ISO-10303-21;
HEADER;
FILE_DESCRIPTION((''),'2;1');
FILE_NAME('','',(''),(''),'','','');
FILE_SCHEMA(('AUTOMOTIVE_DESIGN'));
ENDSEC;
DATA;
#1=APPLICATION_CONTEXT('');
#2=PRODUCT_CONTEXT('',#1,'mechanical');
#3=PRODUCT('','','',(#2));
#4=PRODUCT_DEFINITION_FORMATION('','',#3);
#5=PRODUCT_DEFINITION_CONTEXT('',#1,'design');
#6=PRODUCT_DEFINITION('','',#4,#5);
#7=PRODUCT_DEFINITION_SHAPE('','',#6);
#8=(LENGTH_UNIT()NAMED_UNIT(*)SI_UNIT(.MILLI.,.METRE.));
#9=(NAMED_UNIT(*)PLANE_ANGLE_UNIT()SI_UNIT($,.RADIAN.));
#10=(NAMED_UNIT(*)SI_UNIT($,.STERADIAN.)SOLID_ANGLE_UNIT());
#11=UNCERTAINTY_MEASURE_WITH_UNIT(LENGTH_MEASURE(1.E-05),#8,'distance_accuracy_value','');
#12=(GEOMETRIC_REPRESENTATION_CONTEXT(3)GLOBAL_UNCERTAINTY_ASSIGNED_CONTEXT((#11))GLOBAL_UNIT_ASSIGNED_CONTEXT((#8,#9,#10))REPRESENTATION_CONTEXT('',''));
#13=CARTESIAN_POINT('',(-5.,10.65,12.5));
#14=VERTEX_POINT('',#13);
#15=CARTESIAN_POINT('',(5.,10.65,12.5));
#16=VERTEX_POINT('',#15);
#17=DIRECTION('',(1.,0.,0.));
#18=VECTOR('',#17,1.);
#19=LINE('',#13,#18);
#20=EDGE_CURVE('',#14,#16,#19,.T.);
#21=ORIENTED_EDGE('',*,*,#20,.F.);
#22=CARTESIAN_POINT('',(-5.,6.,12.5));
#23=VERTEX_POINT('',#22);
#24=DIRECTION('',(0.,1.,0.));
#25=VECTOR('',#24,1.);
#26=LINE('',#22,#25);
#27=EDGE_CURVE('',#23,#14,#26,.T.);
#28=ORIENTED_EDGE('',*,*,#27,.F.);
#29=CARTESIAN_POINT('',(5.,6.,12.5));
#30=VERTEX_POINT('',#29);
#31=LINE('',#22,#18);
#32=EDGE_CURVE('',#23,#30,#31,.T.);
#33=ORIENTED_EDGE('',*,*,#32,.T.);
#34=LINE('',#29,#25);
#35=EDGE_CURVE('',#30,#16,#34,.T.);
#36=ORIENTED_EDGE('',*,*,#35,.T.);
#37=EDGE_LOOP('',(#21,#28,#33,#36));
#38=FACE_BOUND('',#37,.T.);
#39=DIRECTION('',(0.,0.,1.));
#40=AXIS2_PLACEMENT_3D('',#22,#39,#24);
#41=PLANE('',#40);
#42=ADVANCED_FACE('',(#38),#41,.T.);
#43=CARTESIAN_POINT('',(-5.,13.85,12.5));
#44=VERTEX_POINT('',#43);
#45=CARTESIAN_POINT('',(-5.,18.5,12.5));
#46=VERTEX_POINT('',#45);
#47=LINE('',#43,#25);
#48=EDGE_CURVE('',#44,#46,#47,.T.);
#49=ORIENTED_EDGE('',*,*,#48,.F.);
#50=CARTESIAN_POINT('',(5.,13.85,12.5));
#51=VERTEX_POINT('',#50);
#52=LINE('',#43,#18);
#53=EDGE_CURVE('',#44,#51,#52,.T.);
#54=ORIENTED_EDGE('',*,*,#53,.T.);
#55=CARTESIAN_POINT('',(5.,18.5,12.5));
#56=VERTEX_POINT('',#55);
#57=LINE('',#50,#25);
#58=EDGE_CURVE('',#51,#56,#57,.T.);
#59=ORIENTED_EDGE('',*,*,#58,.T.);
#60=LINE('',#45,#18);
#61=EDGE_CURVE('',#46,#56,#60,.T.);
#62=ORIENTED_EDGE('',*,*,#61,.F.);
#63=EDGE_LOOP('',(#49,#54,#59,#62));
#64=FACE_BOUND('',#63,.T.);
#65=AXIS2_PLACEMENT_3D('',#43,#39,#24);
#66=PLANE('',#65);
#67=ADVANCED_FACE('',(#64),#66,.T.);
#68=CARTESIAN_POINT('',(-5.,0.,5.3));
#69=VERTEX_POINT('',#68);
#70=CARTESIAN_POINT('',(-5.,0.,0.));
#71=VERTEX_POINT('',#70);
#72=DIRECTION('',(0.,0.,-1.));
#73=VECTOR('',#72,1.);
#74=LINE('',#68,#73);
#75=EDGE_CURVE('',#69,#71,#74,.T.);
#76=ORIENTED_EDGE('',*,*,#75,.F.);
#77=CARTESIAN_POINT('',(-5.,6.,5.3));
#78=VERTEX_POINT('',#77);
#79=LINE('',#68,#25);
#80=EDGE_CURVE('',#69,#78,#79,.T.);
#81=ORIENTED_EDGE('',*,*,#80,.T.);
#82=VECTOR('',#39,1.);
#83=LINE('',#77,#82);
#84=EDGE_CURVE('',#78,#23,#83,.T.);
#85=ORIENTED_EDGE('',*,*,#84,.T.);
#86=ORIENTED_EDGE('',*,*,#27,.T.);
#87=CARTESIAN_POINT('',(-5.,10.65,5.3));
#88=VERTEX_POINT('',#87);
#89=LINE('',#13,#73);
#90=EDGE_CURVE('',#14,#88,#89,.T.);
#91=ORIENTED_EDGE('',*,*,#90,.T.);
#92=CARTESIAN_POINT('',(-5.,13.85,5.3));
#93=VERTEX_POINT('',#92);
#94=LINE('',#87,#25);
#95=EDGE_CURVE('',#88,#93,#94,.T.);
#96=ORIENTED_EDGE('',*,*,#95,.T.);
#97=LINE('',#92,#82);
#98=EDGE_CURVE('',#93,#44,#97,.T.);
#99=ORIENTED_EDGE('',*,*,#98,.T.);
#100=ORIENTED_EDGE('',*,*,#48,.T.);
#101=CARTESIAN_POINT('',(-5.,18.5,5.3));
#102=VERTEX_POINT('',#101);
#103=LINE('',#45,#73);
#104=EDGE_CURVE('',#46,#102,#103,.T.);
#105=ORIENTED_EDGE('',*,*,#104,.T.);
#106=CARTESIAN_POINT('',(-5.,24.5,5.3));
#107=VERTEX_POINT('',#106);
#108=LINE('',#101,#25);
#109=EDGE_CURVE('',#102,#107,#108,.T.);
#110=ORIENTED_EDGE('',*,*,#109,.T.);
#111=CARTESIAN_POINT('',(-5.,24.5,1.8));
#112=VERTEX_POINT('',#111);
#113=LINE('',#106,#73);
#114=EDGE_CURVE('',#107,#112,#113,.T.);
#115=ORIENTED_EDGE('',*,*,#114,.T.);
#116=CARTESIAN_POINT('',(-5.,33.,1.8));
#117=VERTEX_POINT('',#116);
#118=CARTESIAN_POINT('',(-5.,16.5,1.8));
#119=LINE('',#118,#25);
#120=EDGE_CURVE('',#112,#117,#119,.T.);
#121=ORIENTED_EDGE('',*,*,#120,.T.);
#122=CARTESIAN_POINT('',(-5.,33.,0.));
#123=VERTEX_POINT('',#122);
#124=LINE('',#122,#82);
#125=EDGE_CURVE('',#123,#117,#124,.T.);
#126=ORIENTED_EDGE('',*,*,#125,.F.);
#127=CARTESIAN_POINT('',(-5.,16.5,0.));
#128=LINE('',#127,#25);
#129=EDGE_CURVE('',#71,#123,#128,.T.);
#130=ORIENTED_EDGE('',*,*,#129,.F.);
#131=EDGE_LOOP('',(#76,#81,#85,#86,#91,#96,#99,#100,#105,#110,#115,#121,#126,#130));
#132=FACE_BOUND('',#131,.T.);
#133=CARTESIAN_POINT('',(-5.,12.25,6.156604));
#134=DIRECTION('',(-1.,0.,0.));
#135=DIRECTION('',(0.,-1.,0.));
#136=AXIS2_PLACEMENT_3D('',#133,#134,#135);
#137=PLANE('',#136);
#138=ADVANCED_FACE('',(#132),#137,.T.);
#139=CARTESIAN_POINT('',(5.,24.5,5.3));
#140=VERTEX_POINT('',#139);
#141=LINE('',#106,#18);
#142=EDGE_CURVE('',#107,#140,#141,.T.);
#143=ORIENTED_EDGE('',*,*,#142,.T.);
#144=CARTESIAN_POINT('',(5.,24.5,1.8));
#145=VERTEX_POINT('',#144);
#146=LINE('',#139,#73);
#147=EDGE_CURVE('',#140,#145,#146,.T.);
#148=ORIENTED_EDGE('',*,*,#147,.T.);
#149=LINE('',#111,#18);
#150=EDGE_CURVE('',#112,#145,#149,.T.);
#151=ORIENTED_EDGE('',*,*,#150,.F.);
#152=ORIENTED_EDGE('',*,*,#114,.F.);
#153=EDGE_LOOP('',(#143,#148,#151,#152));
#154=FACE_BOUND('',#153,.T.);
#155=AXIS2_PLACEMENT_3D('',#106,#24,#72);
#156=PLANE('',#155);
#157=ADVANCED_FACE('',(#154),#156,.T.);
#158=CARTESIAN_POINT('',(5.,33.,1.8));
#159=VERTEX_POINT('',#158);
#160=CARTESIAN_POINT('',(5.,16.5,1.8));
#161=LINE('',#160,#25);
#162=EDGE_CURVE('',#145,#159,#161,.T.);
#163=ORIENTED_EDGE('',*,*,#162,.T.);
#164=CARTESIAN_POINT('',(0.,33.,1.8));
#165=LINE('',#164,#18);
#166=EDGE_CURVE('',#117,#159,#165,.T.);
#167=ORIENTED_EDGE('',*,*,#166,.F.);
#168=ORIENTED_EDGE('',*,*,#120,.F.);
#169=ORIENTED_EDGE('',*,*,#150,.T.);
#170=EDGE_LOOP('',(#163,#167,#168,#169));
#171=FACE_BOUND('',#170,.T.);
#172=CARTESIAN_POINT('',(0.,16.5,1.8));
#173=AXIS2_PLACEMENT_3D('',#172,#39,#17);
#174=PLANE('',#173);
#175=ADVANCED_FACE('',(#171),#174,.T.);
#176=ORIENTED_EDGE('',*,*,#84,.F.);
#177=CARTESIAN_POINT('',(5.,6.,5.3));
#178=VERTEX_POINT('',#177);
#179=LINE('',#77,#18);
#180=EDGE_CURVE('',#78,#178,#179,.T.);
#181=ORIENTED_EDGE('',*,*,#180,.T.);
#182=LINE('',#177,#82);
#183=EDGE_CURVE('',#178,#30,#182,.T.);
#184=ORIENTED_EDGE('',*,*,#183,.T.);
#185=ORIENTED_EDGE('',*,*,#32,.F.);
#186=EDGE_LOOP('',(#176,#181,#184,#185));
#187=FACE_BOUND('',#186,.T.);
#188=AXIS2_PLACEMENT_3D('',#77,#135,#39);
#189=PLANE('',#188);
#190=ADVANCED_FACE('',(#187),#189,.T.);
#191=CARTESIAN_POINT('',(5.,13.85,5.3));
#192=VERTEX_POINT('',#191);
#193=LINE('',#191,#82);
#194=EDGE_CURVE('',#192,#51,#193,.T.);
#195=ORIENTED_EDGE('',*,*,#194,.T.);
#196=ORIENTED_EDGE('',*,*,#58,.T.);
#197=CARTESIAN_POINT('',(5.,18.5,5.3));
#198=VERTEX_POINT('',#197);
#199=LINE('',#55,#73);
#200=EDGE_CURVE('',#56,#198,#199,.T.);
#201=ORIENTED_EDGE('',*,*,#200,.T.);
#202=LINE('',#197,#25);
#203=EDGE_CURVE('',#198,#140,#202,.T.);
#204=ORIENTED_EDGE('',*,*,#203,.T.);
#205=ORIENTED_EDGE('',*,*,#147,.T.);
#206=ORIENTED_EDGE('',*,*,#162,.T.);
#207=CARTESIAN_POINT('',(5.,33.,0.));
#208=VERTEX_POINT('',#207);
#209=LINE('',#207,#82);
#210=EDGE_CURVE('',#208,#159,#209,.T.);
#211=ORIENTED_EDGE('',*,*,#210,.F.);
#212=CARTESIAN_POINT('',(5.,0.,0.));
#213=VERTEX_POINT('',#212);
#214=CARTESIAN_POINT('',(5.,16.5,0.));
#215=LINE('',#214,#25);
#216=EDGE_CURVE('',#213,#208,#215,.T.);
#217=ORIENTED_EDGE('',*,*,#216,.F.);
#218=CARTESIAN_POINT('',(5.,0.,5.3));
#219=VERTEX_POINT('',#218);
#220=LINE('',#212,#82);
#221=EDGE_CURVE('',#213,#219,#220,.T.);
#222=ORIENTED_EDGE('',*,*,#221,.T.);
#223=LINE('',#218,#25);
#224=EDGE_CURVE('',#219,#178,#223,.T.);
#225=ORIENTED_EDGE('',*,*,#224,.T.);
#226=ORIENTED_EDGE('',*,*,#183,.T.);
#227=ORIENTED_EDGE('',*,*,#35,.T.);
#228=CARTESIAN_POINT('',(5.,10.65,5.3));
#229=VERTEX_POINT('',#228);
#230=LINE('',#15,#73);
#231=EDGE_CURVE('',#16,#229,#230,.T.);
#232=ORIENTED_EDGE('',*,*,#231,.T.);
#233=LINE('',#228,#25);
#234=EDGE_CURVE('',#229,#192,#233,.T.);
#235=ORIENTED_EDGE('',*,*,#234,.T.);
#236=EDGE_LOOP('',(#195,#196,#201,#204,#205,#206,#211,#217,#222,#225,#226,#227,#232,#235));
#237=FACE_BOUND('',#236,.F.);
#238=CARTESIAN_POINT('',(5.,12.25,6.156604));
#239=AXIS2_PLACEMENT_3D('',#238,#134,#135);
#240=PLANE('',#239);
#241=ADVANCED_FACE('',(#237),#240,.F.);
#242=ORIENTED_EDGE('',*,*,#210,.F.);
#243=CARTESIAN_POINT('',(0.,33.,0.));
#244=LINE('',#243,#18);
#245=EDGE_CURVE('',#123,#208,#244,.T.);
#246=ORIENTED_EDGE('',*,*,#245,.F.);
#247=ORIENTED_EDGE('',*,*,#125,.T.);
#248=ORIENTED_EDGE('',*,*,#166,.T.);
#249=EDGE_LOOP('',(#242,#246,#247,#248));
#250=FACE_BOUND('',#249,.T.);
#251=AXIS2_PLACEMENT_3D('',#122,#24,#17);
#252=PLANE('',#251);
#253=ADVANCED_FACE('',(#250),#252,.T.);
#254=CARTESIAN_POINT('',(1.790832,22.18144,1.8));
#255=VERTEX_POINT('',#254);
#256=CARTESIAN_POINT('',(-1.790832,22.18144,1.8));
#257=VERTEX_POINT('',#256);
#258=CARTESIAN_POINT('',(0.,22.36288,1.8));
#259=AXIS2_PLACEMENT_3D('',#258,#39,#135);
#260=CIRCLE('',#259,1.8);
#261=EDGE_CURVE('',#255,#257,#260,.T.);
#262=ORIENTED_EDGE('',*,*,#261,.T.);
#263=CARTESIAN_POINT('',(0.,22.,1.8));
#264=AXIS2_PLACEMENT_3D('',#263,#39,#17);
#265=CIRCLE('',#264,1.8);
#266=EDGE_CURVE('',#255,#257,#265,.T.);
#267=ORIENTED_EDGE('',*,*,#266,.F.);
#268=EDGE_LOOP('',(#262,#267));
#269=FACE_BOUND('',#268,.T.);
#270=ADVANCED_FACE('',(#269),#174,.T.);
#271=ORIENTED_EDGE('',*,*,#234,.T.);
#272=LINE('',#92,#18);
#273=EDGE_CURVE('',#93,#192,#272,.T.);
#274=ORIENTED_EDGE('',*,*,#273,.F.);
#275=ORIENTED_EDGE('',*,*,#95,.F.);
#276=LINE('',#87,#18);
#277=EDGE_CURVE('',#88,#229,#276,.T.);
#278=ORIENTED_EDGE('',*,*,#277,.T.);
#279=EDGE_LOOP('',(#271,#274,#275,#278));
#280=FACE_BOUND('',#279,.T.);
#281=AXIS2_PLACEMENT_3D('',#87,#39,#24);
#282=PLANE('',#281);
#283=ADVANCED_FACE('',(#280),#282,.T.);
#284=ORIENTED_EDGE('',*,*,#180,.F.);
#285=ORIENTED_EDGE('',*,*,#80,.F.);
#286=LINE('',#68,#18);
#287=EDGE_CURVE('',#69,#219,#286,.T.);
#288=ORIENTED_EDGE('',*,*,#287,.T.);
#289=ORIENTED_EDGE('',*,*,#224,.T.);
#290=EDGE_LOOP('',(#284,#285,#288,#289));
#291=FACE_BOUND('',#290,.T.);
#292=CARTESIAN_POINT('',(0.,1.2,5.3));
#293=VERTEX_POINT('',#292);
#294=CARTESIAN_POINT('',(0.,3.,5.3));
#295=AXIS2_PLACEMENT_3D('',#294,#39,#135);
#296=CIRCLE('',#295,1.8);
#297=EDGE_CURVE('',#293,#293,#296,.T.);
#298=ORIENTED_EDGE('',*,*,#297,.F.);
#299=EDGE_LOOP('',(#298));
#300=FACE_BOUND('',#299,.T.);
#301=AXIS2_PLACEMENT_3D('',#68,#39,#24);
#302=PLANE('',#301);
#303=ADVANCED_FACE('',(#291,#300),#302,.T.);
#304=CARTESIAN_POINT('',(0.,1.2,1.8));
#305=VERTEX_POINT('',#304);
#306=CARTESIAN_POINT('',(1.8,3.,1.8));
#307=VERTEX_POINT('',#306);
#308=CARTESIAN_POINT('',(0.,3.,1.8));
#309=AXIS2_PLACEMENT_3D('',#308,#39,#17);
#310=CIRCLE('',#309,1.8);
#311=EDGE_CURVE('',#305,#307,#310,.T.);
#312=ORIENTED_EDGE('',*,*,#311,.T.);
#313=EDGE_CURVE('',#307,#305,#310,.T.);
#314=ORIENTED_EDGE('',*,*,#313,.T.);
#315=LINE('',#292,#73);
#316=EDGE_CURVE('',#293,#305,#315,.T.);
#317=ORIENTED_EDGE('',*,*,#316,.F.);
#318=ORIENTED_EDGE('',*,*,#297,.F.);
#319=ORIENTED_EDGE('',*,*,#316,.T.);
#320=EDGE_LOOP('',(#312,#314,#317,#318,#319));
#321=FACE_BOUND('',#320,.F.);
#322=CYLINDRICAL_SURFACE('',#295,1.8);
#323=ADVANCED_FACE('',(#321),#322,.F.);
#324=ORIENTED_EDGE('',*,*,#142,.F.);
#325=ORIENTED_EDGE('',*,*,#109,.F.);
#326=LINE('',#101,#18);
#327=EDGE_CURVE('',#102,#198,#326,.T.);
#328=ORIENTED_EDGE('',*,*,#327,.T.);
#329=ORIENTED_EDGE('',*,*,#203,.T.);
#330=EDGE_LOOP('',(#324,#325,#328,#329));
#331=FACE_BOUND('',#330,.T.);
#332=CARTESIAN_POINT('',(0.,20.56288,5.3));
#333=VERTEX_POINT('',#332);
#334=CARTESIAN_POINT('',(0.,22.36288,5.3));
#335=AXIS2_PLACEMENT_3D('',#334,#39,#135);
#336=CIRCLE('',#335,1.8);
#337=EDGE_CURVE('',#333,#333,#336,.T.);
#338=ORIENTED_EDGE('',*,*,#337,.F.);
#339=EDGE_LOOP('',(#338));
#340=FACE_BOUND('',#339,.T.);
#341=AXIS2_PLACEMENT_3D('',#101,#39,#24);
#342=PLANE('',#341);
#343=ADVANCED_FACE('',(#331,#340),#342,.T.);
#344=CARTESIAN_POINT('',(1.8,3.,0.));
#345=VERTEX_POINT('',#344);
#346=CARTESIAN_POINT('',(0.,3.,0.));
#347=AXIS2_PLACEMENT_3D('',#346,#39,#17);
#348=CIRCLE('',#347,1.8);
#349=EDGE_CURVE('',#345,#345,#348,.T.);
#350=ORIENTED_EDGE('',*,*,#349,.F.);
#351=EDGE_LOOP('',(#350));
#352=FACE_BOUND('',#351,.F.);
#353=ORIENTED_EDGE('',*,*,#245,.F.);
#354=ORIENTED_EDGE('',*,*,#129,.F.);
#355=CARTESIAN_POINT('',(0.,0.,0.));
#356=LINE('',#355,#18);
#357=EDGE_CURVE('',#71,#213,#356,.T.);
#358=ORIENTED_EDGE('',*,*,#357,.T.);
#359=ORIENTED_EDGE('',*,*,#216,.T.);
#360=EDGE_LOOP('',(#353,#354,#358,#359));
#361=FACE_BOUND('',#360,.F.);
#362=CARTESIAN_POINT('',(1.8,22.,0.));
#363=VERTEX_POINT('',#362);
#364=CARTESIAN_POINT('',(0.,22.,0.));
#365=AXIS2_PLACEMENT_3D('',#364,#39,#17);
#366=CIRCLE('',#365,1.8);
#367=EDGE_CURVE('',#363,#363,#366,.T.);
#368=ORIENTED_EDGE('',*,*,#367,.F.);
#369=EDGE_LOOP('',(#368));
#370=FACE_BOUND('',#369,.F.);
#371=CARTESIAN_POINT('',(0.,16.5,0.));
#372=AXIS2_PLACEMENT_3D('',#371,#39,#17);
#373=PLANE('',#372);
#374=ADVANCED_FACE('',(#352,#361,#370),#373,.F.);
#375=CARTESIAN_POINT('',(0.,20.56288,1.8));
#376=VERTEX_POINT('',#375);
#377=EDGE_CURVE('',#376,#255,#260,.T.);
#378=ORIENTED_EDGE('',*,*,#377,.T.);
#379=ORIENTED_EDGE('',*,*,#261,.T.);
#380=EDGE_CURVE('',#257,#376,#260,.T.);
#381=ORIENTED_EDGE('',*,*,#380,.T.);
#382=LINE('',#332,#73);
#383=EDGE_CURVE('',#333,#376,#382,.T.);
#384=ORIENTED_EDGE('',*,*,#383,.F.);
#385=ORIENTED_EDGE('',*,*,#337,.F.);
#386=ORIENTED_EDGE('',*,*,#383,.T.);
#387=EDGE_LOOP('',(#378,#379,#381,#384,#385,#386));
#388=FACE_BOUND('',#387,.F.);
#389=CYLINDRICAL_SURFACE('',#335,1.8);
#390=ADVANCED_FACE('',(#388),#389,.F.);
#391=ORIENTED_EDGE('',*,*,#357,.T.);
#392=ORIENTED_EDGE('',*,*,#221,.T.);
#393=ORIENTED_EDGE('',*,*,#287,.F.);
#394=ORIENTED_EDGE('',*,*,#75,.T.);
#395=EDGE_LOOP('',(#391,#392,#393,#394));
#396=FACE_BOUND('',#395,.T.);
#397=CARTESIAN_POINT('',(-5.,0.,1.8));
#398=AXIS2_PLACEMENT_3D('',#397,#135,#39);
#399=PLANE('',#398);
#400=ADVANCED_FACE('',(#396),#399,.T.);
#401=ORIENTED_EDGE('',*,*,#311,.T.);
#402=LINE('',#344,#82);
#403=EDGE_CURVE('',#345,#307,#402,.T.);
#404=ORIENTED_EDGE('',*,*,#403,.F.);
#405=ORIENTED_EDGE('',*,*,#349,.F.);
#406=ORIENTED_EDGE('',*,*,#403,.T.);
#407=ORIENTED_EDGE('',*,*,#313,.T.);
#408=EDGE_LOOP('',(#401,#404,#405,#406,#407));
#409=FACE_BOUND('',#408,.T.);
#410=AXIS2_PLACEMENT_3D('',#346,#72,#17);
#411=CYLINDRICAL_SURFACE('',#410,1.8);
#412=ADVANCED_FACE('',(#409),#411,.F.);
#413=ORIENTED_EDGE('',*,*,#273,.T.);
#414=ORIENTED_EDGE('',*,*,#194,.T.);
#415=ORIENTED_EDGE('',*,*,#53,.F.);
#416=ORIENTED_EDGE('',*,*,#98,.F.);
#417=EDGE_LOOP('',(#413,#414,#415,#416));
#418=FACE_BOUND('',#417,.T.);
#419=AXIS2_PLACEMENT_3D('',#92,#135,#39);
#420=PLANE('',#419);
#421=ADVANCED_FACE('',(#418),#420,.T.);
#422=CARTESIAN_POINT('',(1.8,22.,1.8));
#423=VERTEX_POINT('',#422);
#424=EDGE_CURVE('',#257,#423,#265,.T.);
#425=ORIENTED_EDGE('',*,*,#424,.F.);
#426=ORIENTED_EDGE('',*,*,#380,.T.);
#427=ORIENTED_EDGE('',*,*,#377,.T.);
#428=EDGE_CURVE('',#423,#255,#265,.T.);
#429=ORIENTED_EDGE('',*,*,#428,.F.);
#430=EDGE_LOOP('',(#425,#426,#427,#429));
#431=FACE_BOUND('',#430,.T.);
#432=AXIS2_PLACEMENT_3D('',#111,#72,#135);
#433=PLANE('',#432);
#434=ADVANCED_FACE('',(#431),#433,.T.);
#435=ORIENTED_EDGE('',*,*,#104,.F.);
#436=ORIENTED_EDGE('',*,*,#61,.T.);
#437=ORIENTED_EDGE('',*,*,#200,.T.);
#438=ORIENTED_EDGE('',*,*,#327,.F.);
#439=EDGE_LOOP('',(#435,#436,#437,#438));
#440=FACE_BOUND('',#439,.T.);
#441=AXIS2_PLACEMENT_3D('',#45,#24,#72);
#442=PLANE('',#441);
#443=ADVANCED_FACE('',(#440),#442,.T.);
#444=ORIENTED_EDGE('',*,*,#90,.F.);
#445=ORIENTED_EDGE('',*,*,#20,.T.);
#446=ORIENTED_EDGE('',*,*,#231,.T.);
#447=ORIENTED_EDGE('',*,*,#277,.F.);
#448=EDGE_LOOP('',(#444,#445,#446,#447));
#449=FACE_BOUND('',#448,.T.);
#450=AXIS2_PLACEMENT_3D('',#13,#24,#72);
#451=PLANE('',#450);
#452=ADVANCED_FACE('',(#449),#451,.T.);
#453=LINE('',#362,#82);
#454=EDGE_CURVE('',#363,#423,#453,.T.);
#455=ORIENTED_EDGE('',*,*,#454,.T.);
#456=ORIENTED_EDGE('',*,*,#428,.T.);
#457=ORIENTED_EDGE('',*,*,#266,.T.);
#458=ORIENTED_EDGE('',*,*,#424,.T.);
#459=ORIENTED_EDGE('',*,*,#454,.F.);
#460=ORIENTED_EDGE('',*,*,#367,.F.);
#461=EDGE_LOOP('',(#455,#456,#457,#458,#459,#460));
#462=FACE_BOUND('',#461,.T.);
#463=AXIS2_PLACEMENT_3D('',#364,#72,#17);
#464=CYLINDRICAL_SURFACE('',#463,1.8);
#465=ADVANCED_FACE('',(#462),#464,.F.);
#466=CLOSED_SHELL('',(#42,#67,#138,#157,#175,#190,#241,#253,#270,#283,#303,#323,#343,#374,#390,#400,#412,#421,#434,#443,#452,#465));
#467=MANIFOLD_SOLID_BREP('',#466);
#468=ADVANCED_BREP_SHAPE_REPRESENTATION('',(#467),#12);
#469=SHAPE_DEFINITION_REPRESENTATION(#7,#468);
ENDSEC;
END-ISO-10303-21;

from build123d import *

# Parameters (mm, degrees)
PAD001_DEPTH = 10
SKETCH002_R  = 1.8
POCKET_DEPTH = 3.501
SKETCH_W     = 10
SKETCH_H     = 33
SKETCH_R     = 1.8
PAD_DEPTH    = 1.8


with BuildPart() as body001:
    # Sketch001 → Pad001 (new body)
    with BuildSketch(Plane.YZ.offset(-5)):
        Polygon((0, 1.8), (0, 5.3), (6, 5.3), (6, 12.5), (10.65, 12.5), (10.65, 5.3), (13.85, 5.3), (13.85, 12.5), (18.5, 12.5), (18.5, 5.3), (24.5, 5.3), (24.5, 1.8), align=None)
    extrude(amount=PAD001_DEPTH)

    # Sketch002 (on Face2 of Pad001) → Pocket (cut, through all)
    with BuildSketch(Plane(origin=(0, 0, 5.3), x_dir=(0, -1, 0), z_dir=(0, 0, 1))):
        with Locations((-22.36288, 0)):
            Circle(SKETCH002_R)
        with Locations((-3, 0)):
            Circle(SKETCH002_R)
    extrude(amount=-POCKET_DEPTH, mode=Mode.SUBTRACT)


with BuildPart() as fusion:
    # Sketch → Pad (new body)
    with BuildSketch(Plane.XY):
        with Locations((0, 16.5)):
            Rectangle(SKETCH_W, SKETCH_H)
        with Locations((0, 22)):
            Circle(SKETCH_R, mode=Mode.SUBTRACT)
        with Locations((0, 3)):
            Circle(SKETCH_R, mode=Mode.SUBTRACT)
    extrude(amount=PAD_DEPTH)

    # Fusion: union Body001
    add(body001.part)


solid = fusion.part
